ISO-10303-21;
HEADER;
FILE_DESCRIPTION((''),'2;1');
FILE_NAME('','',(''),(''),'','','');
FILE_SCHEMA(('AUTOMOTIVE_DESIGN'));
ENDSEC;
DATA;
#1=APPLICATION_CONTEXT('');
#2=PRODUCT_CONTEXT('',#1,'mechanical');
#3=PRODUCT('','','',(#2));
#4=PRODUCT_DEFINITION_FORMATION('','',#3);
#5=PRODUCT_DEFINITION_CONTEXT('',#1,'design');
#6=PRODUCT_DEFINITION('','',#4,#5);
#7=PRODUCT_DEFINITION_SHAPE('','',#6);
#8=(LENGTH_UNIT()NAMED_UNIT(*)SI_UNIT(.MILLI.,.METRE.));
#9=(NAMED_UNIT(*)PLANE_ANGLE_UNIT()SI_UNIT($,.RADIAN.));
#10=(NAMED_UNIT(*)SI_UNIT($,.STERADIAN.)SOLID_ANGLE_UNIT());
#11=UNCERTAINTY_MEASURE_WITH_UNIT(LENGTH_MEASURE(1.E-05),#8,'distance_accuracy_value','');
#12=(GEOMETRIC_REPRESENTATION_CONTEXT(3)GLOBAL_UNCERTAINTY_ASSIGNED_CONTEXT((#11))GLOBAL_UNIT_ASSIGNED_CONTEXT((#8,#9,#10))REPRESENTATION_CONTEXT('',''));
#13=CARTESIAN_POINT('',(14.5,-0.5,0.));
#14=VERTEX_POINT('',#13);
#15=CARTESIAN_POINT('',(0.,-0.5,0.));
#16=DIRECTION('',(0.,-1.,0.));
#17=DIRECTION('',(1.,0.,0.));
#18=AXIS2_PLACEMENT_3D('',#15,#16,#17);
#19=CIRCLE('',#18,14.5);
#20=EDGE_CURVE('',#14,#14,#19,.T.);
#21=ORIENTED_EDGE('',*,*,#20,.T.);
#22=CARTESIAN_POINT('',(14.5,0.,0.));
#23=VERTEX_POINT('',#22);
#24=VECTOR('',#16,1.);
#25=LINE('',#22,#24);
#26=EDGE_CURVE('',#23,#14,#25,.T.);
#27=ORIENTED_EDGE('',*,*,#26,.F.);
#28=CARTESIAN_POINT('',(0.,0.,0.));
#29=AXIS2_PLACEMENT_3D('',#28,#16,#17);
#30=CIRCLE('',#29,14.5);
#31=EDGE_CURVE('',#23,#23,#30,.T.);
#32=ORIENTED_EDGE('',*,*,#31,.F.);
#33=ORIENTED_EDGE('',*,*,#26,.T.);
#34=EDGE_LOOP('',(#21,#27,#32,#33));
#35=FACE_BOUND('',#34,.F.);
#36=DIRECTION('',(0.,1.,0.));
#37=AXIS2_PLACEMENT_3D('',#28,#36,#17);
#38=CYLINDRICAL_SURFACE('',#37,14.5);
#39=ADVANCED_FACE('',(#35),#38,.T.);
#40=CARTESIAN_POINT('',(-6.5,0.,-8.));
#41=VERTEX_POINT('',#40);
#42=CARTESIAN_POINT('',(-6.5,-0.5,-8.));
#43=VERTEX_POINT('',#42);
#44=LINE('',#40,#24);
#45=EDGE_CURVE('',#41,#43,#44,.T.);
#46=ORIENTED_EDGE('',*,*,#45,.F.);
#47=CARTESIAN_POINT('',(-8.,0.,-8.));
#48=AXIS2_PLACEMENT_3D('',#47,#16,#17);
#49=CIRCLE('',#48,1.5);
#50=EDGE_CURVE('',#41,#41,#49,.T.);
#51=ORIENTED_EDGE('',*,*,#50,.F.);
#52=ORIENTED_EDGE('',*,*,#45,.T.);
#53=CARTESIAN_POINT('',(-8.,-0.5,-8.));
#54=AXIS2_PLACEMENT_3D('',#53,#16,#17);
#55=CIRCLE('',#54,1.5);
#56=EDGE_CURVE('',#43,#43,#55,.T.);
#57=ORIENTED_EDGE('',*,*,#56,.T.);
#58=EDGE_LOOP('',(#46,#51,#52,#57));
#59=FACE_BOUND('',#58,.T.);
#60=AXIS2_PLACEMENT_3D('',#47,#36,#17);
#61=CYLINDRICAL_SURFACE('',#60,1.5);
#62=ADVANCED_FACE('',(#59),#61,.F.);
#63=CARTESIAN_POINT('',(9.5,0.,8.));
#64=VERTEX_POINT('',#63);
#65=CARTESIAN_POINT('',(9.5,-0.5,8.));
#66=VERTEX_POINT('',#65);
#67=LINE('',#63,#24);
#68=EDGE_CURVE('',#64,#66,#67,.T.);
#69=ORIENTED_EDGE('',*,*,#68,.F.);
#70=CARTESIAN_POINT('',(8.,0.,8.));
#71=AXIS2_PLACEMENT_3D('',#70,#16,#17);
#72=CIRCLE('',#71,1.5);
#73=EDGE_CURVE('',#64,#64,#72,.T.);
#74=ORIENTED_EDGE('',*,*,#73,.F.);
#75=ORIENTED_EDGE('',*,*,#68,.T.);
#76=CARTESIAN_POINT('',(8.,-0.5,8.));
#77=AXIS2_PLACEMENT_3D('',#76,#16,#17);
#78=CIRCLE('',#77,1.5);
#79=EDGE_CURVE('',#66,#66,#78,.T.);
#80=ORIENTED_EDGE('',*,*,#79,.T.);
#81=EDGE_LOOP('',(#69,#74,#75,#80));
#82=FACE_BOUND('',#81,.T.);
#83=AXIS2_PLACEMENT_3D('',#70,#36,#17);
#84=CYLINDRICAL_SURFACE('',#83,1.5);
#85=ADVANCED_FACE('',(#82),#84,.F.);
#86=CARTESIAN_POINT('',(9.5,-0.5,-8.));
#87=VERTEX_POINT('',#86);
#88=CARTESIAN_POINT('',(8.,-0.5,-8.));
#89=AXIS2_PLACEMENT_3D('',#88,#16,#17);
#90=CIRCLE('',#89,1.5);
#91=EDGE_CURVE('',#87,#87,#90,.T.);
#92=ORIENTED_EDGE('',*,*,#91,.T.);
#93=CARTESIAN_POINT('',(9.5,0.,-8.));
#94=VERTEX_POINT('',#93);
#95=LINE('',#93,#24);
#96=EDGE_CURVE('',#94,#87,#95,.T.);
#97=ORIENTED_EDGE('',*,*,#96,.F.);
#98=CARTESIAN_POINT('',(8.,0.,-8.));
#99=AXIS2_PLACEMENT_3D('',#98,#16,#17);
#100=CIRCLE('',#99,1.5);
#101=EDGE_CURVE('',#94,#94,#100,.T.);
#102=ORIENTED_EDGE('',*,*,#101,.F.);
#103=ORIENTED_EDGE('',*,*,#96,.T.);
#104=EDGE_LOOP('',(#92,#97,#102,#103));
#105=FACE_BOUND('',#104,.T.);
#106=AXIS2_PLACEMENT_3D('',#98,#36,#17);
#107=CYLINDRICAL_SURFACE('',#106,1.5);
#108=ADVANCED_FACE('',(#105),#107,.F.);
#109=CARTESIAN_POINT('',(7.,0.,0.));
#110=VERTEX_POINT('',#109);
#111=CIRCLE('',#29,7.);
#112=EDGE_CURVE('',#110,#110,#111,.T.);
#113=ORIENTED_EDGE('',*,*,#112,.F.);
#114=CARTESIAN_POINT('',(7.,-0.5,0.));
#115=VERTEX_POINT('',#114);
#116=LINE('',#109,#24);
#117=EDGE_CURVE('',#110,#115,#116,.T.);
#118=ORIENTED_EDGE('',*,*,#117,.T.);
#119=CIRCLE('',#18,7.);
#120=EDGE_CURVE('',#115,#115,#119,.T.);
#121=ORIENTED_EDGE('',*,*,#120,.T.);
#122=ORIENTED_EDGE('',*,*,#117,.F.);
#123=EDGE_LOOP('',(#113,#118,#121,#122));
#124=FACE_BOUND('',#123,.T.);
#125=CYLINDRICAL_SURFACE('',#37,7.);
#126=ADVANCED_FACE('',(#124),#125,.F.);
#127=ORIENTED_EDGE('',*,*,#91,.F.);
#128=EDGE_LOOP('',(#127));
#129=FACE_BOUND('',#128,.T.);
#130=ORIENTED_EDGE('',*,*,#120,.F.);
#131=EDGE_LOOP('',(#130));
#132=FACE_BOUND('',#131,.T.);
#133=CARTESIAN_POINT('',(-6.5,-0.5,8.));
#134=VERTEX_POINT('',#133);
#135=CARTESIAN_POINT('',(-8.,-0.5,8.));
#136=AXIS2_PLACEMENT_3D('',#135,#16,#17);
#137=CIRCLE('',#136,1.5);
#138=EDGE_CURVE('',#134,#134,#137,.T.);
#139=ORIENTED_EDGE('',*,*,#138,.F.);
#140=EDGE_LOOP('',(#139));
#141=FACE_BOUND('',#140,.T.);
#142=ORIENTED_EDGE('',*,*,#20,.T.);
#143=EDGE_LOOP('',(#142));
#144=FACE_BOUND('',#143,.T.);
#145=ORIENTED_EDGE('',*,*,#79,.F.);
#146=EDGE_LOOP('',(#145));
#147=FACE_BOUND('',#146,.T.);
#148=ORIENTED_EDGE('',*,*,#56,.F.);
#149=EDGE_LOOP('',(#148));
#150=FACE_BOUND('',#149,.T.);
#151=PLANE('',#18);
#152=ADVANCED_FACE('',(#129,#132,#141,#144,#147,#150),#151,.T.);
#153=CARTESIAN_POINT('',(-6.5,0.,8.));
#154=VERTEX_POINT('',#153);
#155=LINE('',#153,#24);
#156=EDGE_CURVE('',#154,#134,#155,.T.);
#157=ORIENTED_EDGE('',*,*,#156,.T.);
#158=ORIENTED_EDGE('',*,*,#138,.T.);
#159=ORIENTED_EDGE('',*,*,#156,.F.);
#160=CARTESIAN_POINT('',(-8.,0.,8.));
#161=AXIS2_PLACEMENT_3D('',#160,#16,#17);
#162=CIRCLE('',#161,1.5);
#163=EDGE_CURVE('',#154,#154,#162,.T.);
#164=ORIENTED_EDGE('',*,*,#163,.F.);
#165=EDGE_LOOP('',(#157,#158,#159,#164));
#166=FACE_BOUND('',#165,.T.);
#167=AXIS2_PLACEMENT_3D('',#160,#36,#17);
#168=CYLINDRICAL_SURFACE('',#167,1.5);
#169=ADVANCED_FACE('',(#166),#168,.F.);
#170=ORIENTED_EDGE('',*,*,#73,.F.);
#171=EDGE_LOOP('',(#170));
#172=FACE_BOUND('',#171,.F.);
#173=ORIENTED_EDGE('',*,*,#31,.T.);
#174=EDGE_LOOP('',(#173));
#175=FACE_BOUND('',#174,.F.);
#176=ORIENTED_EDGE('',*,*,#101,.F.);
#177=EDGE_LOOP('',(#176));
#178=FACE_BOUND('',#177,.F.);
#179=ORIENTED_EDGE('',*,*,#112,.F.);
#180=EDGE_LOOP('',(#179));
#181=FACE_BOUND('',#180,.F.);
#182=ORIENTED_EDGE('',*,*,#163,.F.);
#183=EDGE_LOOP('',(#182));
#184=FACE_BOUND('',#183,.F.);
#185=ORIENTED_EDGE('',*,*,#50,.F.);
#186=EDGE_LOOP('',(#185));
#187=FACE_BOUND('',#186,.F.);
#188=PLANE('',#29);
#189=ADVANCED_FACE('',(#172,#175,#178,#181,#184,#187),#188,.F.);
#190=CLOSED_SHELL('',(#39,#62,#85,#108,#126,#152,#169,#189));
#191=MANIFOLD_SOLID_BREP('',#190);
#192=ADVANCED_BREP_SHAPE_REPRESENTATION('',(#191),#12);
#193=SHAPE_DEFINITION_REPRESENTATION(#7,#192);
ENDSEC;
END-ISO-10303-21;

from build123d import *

# Parameters (mm, degrees)
F0_R     = 14.5
F0_R_2   = 1.5
F0_R_3   = 7
F1_DEPTH = 0.5


with BuildPart() as f1:
    # F0 (on Front) → F1 (new body)
    with BuildSketch(Plane.XZ):
        Circle(F0_R)
        with Locations((-8, -8)):
            Circle(F0_R_2, mode=Mode.SUBTRACT)
        with Locations((8, -8)):
            Circle(F0_R_2, mode=Mode.SUBTRACT)
        with Locations((-8, 8)):
            Circle(F0_R_2, mode=Mode.SUBTRACT)
        Circle(F0_R_3, mode=Mode.SUBTRACT)
        with Locations((8, 8)):
            Circle(F0_R_2, mode=Mode.SUBTRACT)
    extrude(amount=F1_DEPTH)


solid = f1.part
